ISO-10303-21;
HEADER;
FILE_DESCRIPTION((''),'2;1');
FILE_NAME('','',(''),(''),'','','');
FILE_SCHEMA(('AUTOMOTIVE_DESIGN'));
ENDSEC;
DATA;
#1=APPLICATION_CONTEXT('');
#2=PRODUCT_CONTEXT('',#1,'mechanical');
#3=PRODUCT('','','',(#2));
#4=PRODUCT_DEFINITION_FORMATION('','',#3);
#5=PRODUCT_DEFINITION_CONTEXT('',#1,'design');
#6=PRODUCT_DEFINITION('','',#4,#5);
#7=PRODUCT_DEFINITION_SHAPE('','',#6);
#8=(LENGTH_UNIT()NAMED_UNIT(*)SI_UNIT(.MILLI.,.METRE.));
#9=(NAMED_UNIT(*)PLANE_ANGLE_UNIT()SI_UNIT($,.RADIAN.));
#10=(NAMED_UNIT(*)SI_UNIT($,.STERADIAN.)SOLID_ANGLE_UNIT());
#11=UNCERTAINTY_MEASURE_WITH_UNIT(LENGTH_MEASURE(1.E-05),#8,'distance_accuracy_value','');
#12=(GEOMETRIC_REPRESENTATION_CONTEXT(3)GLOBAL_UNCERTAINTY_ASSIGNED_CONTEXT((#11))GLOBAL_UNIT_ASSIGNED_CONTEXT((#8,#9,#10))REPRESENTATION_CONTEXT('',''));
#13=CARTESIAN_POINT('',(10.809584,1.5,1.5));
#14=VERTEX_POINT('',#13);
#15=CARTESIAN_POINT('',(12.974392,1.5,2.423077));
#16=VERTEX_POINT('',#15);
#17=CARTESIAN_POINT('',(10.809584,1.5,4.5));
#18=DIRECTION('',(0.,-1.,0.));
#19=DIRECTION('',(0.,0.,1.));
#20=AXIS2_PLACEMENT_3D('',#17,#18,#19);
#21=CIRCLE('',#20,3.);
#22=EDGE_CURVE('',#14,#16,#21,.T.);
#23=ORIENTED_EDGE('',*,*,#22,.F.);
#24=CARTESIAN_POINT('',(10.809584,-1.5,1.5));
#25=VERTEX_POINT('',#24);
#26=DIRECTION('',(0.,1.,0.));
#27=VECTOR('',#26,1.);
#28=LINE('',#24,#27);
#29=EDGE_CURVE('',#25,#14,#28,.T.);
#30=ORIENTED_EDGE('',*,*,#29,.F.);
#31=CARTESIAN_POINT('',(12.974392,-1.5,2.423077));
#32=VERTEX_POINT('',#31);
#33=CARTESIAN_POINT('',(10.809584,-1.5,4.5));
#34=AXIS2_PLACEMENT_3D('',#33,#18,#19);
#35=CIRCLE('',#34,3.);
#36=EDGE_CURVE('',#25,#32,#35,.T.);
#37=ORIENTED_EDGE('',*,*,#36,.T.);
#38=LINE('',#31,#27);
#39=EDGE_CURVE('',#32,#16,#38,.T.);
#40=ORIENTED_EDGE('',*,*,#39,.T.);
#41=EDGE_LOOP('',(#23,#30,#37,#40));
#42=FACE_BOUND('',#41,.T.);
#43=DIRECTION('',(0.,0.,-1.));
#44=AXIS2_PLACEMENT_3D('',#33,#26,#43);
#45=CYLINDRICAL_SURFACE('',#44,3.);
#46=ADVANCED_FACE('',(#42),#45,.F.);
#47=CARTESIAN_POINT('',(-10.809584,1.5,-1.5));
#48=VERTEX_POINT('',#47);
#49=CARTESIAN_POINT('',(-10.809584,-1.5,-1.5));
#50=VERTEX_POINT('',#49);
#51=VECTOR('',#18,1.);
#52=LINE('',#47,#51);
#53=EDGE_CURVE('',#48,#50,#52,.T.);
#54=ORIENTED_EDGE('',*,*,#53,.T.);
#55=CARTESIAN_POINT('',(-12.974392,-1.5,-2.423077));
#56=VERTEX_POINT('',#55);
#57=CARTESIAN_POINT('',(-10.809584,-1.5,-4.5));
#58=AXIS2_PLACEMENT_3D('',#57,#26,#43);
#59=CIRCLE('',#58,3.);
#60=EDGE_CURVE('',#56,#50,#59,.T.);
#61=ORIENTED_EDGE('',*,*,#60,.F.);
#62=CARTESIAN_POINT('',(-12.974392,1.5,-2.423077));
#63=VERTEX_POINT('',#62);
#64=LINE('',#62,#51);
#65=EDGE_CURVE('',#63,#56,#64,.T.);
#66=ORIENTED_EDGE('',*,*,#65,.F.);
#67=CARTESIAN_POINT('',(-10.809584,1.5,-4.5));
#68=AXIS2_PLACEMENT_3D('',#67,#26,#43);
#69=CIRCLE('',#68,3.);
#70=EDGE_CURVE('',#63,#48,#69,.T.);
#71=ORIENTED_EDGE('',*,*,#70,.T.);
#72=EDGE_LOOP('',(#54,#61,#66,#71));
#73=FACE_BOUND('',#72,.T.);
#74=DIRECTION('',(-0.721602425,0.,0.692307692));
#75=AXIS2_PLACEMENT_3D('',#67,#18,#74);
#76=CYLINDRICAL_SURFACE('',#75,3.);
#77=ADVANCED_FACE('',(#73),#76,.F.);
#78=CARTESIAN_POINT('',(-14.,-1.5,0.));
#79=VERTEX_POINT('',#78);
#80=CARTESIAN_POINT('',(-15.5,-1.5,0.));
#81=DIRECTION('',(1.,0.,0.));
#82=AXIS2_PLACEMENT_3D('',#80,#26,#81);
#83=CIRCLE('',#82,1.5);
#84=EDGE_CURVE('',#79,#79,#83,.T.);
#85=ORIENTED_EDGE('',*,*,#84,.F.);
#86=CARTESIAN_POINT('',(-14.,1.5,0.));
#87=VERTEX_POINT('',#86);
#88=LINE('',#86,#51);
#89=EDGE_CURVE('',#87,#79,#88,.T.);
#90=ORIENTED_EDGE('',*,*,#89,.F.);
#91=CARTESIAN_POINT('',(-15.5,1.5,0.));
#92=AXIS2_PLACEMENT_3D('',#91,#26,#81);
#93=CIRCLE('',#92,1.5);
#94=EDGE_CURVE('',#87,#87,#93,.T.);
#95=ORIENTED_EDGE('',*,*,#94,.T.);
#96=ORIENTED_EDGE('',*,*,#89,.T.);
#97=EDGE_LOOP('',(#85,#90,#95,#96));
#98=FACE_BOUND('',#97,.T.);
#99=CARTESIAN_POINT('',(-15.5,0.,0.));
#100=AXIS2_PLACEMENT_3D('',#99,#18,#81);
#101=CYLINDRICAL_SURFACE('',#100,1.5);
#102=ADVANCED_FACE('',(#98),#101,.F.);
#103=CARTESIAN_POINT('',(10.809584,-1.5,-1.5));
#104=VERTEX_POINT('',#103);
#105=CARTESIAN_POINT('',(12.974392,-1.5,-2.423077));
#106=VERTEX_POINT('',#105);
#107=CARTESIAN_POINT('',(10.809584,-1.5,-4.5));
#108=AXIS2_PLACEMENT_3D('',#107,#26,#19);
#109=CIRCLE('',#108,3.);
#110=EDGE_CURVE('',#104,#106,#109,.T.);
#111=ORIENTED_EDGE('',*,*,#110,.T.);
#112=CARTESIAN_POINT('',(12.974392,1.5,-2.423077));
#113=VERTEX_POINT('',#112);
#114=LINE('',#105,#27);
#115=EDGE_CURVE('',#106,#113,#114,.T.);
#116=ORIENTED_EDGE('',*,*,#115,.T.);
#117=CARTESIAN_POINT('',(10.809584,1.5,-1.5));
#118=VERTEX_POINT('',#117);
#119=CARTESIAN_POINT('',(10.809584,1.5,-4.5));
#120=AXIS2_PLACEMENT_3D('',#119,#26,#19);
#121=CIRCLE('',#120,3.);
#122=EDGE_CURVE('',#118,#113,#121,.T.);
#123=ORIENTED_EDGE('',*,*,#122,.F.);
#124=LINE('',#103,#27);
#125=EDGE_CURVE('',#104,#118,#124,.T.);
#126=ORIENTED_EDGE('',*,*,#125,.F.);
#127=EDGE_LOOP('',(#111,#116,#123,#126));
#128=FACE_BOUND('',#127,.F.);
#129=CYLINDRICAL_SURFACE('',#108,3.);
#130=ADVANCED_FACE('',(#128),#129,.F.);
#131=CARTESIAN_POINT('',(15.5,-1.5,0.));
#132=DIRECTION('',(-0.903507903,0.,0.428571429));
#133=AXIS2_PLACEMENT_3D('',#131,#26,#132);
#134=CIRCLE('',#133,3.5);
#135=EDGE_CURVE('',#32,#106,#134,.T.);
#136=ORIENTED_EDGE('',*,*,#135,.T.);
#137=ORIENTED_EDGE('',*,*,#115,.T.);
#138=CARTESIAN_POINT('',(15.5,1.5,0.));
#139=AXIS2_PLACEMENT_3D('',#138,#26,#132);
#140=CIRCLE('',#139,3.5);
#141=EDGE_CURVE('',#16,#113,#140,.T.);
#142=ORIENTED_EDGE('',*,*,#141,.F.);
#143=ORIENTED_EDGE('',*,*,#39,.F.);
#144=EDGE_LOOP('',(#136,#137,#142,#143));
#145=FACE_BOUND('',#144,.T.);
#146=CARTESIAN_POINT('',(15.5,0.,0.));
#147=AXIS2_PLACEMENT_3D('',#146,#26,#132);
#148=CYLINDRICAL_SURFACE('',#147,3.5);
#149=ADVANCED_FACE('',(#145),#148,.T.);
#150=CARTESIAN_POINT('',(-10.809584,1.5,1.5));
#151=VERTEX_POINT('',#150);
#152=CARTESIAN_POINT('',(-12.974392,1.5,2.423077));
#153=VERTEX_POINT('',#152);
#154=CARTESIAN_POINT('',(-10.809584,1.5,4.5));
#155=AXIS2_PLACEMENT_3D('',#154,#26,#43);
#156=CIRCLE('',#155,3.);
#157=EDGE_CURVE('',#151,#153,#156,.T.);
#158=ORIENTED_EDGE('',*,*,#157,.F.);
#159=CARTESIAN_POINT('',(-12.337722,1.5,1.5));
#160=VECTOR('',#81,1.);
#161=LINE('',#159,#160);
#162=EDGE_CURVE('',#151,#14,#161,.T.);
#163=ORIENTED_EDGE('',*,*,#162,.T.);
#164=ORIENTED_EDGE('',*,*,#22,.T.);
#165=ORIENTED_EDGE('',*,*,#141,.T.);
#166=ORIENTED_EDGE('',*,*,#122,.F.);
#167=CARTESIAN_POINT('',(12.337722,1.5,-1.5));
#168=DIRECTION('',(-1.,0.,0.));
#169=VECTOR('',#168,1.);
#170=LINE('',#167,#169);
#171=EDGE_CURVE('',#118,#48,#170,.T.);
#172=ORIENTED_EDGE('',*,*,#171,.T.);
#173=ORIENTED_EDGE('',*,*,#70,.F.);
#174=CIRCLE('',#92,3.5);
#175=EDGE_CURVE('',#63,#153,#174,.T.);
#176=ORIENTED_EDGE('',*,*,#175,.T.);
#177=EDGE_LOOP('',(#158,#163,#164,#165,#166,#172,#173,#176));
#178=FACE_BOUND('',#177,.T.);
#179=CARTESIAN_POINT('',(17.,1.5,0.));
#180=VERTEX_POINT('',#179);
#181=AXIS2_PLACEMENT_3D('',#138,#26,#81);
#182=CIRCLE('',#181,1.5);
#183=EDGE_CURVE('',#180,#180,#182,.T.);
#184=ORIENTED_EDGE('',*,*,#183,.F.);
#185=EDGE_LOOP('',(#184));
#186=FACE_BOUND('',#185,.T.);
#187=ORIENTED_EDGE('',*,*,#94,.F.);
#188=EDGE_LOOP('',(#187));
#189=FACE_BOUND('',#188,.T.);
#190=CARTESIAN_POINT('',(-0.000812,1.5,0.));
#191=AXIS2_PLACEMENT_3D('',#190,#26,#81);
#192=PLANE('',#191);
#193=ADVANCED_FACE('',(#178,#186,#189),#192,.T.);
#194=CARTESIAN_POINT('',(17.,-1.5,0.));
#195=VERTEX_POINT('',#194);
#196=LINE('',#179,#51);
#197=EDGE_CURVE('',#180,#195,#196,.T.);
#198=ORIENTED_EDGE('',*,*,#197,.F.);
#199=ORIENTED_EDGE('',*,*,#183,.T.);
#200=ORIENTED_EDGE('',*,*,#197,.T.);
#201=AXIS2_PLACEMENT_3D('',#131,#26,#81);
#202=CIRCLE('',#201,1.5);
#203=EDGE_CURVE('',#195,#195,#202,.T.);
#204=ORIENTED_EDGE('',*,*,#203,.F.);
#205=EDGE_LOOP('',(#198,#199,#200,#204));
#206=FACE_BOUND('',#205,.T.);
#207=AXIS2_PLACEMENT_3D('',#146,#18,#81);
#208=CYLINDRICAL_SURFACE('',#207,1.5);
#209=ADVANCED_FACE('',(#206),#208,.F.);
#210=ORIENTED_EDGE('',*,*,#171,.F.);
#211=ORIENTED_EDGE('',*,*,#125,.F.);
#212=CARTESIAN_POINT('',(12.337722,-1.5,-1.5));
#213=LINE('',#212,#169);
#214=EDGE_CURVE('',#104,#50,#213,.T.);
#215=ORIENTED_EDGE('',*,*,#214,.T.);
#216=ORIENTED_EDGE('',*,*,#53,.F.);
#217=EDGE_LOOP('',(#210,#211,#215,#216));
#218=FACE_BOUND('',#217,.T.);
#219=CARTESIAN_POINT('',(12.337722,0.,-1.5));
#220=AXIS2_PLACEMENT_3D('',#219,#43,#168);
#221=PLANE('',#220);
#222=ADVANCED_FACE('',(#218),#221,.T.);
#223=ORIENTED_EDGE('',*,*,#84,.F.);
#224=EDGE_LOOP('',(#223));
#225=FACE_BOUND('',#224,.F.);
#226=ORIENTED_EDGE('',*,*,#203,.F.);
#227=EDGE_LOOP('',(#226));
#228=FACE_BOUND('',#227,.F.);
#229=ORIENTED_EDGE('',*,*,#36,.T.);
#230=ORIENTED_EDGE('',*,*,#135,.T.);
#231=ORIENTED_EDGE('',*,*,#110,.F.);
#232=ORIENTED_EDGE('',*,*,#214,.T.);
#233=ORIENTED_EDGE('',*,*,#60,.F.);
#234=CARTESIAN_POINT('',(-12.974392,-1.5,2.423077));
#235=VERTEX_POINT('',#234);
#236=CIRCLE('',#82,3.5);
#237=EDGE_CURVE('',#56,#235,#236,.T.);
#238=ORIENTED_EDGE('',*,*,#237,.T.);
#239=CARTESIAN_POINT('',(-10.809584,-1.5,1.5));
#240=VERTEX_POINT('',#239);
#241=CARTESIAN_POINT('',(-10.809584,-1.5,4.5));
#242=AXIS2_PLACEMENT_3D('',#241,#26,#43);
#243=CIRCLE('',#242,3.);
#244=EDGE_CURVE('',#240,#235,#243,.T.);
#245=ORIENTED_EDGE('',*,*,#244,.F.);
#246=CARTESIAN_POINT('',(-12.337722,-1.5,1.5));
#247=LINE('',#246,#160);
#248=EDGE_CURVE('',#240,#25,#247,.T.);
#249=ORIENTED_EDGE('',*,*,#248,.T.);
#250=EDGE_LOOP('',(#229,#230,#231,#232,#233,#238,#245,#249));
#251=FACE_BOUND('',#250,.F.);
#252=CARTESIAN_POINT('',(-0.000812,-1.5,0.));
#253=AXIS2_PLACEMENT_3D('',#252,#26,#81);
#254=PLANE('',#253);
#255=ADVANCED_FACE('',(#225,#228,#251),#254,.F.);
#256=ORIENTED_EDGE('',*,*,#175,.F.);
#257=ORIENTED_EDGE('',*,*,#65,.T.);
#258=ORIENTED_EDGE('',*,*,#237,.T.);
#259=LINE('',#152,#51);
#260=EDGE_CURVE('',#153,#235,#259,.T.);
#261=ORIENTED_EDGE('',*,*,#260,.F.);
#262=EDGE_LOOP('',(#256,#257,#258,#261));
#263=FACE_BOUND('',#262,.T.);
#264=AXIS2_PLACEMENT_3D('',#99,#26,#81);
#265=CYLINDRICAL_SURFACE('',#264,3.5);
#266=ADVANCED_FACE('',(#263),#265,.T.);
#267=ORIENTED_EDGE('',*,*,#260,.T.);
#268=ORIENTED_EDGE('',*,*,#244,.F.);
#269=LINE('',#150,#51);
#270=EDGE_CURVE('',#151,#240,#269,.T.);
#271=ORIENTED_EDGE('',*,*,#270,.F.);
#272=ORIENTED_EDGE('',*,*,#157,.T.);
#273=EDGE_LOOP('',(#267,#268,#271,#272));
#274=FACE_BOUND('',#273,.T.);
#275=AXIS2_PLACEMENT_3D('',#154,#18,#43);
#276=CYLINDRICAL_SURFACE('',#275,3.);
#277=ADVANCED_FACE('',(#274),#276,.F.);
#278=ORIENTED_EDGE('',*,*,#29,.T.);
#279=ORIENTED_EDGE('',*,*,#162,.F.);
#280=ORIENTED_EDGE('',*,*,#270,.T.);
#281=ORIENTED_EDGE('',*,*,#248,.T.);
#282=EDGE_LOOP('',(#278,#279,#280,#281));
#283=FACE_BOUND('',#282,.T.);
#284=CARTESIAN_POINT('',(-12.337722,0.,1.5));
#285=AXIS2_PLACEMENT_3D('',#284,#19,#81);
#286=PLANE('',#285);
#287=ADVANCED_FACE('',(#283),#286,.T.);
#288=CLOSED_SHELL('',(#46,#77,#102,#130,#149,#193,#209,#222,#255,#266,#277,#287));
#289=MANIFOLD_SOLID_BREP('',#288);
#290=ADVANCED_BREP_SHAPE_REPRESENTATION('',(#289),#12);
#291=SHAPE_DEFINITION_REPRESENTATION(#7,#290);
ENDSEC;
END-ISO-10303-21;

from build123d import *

# Parameters (mm, degrees)
SKETCH1_R           = 3.5
SKETCH1_R_2         = 1.5
BOSS_EXTRUDE1_DEPTH = 1.5
FILLET1_R           = 3


with BuildPart() as part:
    # Sketch1 → Boss-Extrude1 (new body, symmetric)
    with BuildSketch(Plane(origin=(0, 0, 0), x_dir=(1, 0, 0), z_dir=(0, 1, 0))):
        with BuildLine():
            ThreePointArc((-12, 0), (-12.085474278, -0.768774411), (-12.33772234, -1.5))
            Line((-12.33772234, -1.5), (12.33772234, -1.5))
            ThreePointArc((12.33772234, -1.5), (12, 0), (12.33772234, 1.5))
            Line((12.33772234, 1.5), (-12.33772234, 1.5))
            ThreePointArc((-12.33772234, 1.5), (-12.085474278, 0.768774411), (-12, 0))
        make_face()
        with Locations((-15.5, 0)):
            Circle(SKETCH1_R)
        with Locations((-15.5, 0)):
            Circle(SKETCH1_R_2, mode=Mode.SUBTRACT)
        with Locations((15.5, 0)):
            Circle(SKETCH1_R)
        with Locations((15.5, 0)):
            Circle(SKETCH1_R_2, mode=Mode.SUBTRACT)
    extrude(amount=BOSS_EXTRUDE1_DEPTH, both=True)

    # Fillet1
    fillet1_edges = [part.edges().sort_by_distance(p)[0] for p in [
        (12.33772234, 0, -1.5),
        (12.33772234, 0, 1.5),
        (-12.33772234, 0, 1.5),
        (-12.33772234, 0, -1.5),
    ]]
    fillet(fillet1_edges, radius=FILLET1_R)


solid = part.part
